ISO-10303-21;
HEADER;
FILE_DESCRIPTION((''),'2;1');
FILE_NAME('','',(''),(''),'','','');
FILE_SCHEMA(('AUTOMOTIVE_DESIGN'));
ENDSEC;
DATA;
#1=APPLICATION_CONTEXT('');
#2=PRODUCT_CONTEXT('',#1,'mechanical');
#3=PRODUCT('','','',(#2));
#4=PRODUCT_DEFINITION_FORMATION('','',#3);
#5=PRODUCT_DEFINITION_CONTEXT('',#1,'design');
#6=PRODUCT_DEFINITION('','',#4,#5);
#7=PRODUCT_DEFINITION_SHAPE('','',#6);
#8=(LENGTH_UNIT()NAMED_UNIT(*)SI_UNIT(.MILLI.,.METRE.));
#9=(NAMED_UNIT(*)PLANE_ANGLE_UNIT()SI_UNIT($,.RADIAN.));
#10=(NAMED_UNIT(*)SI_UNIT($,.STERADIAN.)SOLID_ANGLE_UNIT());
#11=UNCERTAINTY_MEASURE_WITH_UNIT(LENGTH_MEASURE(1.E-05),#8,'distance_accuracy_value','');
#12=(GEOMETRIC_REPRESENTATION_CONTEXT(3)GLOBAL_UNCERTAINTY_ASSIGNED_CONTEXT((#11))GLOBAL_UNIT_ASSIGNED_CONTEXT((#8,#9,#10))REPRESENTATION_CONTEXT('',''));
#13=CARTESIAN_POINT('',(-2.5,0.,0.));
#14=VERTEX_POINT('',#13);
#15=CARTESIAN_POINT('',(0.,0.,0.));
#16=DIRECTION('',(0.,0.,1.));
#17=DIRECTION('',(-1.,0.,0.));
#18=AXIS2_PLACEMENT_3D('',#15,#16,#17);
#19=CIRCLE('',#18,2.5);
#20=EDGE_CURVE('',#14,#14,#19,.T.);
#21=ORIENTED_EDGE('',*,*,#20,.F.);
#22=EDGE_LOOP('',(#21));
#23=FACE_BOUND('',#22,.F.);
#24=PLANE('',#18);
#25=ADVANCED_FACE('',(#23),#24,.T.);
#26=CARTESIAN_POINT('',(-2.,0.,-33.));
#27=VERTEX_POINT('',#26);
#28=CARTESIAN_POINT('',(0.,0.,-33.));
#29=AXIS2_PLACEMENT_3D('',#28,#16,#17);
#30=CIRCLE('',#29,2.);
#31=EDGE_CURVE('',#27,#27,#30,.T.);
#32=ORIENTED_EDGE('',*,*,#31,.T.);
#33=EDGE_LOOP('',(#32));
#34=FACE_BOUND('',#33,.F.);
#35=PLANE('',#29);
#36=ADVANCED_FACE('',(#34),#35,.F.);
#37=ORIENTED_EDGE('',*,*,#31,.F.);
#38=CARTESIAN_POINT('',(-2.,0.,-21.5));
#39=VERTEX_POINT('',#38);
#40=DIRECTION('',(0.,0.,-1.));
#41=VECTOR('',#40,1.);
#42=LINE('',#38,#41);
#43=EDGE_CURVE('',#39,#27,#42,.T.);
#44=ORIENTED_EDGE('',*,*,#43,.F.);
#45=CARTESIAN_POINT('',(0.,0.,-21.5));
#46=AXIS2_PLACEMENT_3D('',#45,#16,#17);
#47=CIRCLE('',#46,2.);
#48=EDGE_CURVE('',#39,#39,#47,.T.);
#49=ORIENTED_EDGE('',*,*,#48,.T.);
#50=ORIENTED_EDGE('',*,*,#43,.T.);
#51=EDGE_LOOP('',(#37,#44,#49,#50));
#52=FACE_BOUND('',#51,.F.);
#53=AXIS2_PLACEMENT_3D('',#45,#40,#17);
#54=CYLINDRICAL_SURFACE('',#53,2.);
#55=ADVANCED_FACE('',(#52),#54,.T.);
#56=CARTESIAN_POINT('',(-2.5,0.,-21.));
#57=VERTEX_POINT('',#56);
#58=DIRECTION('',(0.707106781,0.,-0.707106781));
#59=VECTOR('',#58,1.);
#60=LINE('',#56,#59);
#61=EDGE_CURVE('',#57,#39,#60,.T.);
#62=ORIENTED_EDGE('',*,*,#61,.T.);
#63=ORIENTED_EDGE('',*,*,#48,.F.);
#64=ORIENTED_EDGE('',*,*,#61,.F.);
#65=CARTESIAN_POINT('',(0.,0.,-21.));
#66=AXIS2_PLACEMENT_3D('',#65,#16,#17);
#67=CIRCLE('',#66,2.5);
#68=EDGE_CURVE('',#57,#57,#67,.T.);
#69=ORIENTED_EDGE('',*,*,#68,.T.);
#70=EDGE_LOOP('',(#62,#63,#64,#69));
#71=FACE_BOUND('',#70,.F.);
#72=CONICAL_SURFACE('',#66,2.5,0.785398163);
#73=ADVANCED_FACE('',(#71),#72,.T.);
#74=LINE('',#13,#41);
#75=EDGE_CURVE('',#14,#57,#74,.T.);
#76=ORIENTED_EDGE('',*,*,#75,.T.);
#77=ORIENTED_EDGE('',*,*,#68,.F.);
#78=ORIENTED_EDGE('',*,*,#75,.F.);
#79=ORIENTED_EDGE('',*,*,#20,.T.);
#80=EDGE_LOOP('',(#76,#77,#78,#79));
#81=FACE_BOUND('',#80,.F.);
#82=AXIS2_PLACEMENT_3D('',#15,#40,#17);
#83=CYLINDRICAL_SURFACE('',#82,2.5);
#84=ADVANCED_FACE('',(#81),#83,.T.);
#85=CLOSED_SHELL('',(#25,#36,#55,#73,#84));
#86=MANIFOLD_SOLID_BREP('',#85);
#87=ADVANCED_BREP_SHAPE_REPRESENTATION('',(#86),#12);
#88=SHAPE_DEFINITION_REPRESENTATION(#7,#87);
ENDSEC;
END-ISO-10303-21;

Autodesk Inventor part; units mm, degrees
ref_plane "YZ Plane" through (0, 0, 0) normal (1, 0, 0) x (0, 1, 0)
ref_plane "XZ Plane" through (0, 0, 0) normal (0, 1, 0) x (-1, 0, 0)
ref_plane "XY Plane" through (0, 0, 0) normal (0, 0, 1) x (1, 0, 0)
sketch "スケッチ1" plane through (0, 0, 0) normal (0, 1, 0) x (-1, 0, 0)
  line L0 (0, 0) -> (2.5, 0)
  line L1 (2.5, 0) -> (2.5, -21)
  line L2 (2.5, -21) -> (2, -21.5)
  line L3 (2, -21.5) -> (2, -33)
  line L4 (2, -33) -> (0, -33)
  line L5 (0, -33) -> (0, 0)
  point P0 (2, -21)
  point P1 (2, -21)
  dimension "d0" = 2.5
  dimension "d1" = 21
  dimension "d2" = 0.5
  dimension "d3" = 0.5
  dimension "d4" = 11.5
revolve "回転2" add sketch "スケッチ1" angle 360 about axis through (0, 0, -33) along (0, 0, 1)
properties part number "KOGANEI_BDA10X15(円柱)"
